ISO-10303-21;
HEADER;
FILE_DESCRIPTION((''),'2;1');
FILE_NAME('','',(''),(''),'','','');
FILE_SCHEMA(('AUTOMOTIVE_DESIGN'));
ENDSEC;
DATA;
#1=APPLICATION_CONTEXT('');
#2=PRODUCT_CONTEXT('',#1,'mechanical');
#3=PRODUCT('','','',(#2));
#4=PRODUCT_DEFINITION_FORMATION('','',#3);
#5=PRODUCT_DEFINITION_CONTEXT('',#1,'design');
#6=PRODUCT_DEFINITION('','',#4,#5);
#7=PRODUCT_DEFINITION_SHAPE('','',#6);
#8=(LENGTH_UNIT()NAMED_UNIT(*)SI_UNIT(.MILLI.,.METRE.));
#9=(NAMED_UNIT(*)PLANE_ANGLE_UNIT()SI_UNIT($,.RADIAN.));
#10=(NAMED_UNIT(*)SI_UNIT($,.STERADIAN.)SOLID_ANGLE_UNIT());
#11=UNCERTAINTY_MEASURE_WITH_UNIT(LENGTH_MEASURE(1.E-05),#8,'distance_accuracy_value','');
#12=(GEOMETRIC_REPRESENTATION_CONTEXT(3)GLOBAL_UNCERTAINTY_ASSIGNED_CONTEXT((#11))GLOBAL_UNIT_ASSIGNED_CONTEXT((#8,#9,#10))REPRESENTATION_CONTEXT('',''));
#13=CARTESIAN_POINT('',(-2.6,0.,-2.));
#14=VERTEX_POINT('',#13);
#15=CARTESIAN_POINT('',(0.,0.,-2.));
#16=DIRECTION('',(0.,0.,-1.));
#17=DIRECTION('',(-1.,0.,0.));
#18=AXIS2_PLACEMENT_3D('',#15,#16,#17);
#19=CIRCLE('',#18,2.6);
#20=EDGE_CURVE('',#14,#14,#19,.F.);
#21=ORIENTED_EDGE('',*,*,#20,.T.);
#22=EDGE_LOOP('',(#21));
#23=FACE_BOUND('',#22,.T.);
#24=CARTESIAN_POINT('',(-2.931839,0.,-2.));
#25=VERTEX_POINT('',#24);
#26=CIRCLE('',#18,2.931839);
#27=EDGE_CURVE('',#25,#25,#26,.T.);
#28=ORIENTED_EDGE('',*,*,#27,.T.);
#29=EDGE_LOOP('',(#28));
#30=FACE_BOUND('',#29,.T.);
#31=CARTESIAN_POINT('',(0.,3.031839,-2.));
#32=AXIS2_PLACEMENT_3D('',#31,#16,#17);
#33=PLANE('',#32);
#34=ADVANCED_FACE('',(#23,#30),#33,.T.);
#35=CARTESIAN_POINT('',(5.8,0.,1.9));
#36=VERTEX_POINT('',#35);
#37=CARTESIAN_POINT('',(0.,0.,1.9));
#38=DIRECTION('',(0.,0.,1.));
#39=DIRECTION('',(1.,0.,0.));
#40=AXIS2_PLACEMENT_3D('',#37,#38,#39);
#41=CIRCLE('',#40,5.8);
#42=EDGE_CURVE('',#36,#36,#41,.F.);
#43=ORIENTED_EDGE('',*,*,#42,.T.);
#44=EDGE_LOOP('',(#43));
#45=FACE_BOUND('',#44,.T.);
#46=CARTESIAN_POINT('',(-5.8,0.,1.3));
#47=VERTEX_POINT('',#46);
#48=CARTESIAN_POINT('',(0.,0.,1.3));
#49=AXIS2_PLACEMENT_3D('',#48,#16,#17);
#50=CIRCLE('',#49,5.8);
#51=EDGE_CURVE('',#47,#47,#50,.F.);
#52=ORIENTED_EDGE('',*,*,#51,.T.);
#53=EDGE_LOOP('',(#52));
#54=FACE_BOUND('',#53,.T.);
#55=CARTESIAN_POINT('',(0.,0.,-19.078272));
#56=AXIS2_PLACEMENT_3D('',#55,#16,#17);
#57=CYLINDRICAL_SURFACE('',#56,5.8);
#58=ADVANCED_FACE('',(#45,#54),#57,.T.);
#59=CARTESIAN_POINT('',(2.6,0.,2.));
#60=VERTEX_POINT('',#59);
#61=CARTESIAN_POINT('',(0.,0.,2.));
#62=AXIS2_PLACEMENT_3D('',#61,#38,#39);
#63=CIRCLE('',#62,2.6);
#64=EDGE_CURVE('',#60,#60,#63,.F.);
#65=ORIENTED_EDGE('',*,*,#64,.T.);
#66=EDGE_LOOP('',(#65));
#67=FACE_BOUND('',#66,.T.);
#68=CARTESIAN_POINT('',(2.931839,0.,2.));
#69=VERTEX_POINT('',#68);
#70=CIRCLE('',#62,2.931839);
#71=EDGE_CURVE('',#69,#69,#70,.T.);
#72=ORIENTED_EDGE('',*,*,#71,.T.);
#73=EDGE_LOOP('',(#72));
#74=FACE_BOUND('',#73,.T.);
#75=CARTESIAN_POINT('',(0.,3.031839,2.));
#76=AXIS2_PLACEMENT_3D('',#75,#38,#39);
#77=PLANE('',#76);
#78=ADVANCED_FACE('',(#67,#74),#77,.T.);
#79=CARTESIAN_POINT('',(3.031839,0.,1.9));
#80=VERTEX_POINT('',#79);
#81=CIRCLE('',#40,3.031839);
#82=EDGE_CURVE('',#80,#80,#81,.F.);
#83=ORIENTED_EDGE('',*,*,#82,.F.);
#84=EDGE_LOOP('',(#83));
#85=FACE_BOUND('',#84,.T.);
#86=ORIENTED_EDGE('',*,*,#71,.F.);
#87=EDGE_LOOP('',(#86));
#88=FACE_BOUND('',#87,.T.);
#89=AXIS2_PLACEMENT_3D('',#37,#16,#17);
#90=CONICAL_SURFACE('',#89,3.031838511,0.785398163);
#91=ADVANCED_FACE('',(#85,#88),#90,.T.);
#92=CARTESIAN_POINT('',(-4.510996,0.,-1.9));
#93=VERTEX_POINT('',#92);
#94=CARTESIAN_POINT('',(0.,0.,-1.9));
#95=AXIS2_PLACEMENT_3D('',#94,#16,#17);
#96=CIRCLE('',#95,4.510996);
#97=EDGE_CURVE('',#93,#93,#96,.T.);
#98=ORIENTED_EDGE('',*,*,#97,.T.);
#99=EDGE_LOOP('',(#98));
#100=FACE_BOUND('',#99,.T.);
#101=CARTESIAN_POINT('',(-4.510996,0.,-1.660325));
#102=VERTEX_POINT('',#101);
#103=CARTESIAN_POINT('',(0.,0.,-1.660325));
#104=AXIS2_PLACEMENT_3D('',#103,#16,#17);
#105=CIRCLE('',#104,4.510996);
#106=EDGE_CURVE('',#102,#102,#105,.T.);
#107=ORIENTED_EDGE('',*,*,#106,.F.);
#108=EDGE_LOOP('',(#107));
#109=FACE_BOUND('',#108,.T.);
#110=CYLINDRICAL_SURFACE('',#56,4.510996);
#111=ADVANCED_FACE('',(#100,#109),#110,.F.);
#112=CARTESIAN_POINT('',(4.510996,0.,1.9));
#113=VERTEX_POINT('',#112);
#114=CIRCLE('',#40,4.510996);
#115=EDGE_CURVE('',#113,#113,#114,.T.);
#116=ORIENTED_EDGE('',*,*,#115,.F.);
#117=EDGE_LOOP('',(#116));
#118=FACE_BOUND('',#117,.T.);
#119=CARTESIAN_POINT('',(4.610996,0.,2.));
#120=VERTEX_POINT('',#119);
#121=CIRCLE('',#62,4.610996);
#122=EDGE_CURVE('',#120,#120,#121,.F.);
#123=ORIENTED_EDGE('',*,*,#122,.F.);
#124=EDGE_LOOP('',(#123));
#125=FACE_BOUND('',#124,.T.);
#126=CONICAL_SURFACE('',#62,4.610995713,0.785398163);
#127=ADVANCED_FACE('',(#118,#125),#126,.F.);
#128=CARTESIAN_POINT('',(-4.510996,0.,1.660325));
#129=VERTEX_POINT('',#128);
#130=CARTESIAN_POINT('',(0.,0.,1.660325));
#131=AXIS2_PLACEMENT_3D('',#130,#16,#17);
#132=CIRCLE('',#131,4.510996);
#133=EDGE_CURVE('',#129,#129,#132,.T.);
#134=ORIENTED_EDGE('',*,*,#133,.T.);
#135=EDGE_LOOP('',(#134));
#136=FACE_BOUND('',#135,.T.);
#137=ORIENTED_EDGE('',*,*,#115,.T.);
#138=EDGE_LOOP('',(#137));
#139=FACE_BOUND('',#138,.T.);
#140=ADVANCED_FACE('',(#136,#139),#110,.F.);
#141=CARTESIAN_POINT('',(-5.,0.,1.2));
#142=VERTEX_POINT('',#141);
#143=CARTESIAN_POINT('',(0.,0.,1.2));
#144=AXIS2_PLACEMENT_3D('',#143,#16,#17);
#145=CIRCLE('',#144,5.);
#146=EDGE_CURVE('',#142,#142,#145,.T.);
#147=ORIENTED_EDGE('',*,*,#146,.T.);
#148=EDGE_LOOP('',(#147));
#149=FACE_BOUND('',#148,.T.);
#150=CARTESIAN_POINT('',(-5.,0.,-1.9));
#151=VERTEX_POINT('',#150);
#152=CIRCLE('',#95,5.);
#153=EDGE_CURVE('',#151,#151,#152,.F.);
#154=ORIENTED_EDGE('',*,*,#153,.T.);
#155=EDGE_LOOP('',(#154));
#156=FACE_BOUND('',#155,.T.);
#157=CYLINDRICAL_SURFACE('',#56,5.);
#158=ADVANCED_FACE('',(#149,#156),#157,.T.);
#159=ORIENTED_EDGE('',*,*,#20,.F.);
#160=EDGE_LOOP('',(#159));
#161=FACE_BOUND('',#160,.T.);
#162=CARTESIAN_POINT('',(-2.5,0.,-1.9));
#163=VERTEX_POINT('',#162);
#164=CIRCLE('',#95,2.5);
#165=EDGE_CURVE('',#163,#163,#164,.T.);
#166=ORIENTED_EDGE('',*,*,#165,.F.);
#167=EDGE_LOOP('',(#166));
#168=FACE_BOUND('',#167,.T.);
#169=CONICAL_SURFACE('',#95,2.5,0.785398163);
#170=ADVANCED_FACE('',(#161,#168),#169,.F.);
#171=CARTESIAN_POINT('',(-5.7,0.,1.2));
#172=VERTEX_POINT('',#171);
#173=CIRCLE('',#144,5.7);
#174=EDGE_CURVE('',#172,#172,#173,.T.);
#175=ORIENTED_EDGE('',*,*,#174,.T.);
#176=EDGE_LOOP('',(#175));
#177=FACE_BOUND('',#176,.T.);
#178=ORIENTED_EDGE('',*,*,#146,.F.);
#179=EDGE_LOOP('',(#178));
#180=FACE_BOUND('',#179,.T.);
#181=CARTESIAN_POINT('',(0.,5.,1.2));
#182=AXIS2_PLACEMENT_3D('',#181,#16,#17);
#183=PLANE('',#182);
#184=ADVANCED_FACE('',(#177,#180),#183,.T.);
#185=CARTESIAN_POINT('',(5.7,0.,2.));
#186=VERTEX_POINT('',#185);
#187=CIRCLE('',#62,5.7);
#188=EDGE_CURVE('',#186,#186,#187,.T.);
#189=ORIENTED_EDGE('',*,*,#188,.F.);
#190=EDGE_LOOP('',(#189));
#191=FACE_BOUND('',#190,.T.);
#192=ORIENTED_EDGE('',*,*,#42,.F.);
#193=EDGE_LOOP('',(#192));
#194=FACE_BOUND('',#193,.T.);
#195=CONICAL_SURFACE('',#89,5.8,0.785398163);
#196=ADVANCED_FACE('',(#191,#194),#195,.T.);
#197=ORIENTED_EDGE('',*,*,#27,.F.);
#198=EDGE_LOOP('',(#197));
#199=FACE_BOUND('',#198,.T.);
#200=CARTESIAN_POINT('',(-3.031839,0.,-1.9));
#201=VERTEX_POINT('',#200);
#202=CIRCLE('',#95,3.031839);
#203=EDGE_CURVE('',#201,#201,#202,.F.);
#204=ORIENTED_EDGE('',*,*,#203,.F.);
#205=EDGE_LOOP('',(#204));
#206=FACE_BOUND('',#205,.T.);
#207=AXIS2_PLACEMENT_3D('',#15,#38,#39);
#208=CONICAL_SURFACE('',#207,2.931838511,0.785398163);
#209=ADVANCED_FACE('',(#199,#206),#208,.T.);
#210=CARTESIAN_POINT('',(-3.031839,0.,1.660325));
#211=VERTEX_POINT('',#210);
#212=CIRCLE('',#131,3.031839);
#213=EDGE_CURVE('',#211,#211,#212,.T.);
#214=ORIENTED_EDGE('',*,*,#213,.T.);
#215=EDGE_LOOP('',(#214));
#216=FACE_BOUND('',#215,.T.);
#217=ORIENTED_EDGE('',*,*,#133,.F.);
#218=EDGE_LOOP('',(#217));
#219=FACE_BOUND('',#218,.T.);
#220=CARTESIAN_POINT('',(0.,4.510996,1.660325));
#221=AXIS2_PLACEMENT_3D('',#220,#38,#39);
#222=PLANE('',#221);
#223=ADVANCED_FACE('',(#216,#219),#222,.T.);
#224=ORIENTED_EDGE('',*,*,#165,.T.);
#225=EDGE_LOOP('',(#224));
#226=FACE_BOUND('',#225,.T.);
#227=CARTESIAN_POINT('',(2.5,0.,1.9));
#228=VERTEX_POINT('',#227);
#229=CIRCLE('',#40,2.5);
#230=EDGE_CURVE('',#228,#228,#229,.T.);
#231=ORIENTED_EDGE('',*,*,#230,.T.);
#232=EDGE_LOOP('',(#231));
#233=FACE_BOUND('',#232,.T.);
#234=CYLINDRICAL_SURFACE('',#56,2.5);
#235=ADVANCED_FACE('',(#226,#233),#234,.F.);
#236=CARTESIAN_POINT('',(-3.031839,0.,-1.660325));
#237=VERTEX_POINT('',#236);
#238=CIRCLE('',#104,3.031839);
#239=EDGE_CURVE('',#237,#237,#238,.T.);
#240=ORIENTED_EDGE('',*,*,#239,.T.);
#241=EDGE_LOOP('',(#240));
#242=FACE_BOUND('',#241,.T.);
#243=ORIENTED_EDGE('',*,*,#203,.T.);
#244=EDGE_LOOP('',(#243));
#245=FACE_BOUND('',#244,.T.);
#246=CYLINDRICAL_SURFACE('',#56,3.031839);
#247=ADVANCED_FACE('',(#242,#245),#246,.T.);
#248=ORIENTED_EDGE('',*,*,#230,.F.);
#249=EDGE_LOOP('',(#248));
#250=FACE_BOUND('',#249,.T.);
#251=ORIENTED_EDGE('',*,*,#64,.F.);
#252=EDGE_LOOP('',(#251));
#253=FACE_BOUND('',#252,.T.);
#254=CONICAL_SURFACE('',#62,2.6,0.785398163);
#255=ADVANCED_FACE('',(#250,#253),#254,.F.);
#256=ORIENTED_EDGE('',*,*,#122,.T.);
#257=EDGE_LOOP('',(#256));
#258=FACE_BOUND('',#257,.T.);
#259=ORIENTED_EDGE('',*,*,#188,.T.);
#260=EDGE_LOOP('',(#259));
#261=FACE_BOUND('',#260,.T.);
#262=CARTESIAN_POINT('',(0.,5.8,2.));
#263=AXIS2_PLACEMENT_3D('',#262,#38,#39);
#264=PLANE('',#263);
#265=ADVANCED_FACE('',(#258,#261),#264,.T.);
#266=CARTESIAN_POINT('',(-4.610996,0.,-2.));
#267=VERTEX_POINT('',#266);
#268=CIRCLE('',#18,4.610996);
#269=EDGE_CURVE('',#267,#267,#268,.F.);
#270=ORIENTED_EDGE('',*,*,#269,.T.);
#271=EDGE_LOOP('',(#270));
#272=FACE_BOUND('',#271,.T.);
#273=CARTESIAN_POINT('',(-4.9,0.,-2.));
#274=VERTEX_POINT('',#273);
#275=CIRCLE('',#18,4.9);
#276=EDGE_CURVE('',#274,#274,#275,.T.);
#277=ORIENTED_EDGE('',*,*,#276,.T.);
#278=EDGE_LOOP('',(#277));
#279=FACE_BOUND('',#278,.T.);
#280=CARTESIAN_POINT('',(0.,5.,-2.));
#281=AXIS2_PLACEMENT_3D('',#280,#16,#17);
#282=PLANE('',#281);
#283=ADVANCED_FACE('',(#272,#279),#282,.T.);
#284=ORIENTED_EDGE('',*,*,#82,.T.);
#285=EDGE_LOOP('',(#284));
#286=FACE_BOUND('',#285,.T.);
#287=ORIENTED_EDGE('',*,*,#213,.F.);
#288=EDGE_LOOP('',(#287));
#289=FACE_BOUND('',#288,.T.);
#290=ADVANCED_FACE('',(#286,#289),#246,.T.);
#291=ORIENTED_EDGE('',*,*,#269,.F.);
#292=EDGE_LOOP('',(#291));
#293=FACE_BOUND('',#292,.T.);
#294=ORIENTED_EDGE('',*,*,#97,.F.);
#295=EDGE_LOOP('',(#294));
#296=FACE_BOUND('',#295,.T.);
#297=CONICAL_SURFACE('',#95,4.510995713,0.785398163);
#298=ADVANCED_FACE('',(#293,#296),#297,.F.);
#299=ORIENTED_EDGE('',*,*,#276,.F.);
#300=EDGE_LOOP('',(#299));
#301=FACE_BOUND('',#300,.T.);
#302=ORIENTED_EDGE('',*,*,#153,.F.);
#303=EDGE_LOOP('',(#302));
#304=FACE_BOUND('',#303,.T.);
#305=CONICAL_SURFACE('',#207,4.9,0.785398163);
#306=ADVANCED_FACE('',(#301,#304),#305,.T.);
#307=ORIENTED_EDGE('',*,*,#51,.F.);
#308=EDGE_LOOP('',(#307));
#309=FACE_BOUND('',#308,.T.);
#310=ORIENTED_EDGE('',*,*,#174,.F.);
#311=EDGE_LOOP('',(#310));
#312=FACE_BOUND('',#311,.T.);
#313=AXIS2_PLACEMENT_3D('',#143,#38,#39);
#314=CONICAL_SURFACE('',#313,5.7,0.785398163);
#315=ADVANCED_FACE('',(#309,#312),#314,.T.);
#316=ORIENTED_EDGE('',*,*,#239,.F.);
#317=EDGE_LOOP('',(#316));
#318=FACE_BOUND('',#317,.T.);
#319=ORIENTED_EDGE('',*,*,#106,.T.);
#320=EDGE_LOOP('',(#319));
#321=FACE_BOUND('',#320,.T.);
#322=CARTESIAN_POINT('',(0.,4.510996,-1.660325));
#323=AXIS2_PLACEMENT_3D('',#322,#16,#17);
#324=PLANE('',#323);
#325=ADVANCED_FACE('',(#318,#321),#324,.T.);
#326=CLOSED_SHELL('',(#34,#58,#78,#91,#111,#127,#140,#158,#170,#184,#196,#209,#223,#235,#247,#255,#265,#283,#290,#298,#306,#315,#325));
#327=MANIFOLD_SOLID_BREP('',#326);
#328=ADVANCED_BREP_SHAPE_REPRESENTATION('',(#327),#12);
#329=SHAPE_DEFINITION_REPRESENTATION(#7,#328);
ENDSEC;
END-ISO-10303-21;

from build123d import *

# Parameters (mm, degrees)
CHAMFER1_SIZE = 0.1


with BuildPart() as part:
    # Sketch1 → Revolve1 (revolve)
    with BuildSketch(Plane(origin=(0, 0, 0), x_dir=(0, 0, -1), z_dir=(1, 0, 0)), mode=Mode.PRIVATE) as revolve1_sk:
        Polygon((-1.2, 5), (2, 5), (2, 4.510995713), (1.660325371, 4.510995713), (1.660325371, 3.031838511), (2, 3.031838511), (2, 2.5), (-2, 2.5), (-2, 3.031838511), (-1.660325371, 3.031838511), (-1.660325371, 4.510995713), (-2, 4.510995713), (-2, 5.8), (-1.2, 5.8), align=None)
    revolve(revolve1_sk.sketch.rotate(Axis((0, 0, -19.078271996), (0, 0, 1)), 90), axis=Axis((0, 0, -19.078271996), (0, 0, 1)))

    # Chamfer1
    chamfer1_edges = [part.edges().sort_by_distance(p)[0] for p in [
        (3.031838511, 0, 2),
        (4.510995713, 0, 2),
        (5.8, 0, 2),
        (5.8, 0, 1.2),
        (5, 0, -2),
        (4.510995713, 0, -2),
        (3.031838511, 0, -2),
        (2.5, 0, -2),
        (2.5, 0, 2),
    ]]
    chamfer(chamfer1_edges, length=CHAMFER1_SIZE)


solid = part.part
